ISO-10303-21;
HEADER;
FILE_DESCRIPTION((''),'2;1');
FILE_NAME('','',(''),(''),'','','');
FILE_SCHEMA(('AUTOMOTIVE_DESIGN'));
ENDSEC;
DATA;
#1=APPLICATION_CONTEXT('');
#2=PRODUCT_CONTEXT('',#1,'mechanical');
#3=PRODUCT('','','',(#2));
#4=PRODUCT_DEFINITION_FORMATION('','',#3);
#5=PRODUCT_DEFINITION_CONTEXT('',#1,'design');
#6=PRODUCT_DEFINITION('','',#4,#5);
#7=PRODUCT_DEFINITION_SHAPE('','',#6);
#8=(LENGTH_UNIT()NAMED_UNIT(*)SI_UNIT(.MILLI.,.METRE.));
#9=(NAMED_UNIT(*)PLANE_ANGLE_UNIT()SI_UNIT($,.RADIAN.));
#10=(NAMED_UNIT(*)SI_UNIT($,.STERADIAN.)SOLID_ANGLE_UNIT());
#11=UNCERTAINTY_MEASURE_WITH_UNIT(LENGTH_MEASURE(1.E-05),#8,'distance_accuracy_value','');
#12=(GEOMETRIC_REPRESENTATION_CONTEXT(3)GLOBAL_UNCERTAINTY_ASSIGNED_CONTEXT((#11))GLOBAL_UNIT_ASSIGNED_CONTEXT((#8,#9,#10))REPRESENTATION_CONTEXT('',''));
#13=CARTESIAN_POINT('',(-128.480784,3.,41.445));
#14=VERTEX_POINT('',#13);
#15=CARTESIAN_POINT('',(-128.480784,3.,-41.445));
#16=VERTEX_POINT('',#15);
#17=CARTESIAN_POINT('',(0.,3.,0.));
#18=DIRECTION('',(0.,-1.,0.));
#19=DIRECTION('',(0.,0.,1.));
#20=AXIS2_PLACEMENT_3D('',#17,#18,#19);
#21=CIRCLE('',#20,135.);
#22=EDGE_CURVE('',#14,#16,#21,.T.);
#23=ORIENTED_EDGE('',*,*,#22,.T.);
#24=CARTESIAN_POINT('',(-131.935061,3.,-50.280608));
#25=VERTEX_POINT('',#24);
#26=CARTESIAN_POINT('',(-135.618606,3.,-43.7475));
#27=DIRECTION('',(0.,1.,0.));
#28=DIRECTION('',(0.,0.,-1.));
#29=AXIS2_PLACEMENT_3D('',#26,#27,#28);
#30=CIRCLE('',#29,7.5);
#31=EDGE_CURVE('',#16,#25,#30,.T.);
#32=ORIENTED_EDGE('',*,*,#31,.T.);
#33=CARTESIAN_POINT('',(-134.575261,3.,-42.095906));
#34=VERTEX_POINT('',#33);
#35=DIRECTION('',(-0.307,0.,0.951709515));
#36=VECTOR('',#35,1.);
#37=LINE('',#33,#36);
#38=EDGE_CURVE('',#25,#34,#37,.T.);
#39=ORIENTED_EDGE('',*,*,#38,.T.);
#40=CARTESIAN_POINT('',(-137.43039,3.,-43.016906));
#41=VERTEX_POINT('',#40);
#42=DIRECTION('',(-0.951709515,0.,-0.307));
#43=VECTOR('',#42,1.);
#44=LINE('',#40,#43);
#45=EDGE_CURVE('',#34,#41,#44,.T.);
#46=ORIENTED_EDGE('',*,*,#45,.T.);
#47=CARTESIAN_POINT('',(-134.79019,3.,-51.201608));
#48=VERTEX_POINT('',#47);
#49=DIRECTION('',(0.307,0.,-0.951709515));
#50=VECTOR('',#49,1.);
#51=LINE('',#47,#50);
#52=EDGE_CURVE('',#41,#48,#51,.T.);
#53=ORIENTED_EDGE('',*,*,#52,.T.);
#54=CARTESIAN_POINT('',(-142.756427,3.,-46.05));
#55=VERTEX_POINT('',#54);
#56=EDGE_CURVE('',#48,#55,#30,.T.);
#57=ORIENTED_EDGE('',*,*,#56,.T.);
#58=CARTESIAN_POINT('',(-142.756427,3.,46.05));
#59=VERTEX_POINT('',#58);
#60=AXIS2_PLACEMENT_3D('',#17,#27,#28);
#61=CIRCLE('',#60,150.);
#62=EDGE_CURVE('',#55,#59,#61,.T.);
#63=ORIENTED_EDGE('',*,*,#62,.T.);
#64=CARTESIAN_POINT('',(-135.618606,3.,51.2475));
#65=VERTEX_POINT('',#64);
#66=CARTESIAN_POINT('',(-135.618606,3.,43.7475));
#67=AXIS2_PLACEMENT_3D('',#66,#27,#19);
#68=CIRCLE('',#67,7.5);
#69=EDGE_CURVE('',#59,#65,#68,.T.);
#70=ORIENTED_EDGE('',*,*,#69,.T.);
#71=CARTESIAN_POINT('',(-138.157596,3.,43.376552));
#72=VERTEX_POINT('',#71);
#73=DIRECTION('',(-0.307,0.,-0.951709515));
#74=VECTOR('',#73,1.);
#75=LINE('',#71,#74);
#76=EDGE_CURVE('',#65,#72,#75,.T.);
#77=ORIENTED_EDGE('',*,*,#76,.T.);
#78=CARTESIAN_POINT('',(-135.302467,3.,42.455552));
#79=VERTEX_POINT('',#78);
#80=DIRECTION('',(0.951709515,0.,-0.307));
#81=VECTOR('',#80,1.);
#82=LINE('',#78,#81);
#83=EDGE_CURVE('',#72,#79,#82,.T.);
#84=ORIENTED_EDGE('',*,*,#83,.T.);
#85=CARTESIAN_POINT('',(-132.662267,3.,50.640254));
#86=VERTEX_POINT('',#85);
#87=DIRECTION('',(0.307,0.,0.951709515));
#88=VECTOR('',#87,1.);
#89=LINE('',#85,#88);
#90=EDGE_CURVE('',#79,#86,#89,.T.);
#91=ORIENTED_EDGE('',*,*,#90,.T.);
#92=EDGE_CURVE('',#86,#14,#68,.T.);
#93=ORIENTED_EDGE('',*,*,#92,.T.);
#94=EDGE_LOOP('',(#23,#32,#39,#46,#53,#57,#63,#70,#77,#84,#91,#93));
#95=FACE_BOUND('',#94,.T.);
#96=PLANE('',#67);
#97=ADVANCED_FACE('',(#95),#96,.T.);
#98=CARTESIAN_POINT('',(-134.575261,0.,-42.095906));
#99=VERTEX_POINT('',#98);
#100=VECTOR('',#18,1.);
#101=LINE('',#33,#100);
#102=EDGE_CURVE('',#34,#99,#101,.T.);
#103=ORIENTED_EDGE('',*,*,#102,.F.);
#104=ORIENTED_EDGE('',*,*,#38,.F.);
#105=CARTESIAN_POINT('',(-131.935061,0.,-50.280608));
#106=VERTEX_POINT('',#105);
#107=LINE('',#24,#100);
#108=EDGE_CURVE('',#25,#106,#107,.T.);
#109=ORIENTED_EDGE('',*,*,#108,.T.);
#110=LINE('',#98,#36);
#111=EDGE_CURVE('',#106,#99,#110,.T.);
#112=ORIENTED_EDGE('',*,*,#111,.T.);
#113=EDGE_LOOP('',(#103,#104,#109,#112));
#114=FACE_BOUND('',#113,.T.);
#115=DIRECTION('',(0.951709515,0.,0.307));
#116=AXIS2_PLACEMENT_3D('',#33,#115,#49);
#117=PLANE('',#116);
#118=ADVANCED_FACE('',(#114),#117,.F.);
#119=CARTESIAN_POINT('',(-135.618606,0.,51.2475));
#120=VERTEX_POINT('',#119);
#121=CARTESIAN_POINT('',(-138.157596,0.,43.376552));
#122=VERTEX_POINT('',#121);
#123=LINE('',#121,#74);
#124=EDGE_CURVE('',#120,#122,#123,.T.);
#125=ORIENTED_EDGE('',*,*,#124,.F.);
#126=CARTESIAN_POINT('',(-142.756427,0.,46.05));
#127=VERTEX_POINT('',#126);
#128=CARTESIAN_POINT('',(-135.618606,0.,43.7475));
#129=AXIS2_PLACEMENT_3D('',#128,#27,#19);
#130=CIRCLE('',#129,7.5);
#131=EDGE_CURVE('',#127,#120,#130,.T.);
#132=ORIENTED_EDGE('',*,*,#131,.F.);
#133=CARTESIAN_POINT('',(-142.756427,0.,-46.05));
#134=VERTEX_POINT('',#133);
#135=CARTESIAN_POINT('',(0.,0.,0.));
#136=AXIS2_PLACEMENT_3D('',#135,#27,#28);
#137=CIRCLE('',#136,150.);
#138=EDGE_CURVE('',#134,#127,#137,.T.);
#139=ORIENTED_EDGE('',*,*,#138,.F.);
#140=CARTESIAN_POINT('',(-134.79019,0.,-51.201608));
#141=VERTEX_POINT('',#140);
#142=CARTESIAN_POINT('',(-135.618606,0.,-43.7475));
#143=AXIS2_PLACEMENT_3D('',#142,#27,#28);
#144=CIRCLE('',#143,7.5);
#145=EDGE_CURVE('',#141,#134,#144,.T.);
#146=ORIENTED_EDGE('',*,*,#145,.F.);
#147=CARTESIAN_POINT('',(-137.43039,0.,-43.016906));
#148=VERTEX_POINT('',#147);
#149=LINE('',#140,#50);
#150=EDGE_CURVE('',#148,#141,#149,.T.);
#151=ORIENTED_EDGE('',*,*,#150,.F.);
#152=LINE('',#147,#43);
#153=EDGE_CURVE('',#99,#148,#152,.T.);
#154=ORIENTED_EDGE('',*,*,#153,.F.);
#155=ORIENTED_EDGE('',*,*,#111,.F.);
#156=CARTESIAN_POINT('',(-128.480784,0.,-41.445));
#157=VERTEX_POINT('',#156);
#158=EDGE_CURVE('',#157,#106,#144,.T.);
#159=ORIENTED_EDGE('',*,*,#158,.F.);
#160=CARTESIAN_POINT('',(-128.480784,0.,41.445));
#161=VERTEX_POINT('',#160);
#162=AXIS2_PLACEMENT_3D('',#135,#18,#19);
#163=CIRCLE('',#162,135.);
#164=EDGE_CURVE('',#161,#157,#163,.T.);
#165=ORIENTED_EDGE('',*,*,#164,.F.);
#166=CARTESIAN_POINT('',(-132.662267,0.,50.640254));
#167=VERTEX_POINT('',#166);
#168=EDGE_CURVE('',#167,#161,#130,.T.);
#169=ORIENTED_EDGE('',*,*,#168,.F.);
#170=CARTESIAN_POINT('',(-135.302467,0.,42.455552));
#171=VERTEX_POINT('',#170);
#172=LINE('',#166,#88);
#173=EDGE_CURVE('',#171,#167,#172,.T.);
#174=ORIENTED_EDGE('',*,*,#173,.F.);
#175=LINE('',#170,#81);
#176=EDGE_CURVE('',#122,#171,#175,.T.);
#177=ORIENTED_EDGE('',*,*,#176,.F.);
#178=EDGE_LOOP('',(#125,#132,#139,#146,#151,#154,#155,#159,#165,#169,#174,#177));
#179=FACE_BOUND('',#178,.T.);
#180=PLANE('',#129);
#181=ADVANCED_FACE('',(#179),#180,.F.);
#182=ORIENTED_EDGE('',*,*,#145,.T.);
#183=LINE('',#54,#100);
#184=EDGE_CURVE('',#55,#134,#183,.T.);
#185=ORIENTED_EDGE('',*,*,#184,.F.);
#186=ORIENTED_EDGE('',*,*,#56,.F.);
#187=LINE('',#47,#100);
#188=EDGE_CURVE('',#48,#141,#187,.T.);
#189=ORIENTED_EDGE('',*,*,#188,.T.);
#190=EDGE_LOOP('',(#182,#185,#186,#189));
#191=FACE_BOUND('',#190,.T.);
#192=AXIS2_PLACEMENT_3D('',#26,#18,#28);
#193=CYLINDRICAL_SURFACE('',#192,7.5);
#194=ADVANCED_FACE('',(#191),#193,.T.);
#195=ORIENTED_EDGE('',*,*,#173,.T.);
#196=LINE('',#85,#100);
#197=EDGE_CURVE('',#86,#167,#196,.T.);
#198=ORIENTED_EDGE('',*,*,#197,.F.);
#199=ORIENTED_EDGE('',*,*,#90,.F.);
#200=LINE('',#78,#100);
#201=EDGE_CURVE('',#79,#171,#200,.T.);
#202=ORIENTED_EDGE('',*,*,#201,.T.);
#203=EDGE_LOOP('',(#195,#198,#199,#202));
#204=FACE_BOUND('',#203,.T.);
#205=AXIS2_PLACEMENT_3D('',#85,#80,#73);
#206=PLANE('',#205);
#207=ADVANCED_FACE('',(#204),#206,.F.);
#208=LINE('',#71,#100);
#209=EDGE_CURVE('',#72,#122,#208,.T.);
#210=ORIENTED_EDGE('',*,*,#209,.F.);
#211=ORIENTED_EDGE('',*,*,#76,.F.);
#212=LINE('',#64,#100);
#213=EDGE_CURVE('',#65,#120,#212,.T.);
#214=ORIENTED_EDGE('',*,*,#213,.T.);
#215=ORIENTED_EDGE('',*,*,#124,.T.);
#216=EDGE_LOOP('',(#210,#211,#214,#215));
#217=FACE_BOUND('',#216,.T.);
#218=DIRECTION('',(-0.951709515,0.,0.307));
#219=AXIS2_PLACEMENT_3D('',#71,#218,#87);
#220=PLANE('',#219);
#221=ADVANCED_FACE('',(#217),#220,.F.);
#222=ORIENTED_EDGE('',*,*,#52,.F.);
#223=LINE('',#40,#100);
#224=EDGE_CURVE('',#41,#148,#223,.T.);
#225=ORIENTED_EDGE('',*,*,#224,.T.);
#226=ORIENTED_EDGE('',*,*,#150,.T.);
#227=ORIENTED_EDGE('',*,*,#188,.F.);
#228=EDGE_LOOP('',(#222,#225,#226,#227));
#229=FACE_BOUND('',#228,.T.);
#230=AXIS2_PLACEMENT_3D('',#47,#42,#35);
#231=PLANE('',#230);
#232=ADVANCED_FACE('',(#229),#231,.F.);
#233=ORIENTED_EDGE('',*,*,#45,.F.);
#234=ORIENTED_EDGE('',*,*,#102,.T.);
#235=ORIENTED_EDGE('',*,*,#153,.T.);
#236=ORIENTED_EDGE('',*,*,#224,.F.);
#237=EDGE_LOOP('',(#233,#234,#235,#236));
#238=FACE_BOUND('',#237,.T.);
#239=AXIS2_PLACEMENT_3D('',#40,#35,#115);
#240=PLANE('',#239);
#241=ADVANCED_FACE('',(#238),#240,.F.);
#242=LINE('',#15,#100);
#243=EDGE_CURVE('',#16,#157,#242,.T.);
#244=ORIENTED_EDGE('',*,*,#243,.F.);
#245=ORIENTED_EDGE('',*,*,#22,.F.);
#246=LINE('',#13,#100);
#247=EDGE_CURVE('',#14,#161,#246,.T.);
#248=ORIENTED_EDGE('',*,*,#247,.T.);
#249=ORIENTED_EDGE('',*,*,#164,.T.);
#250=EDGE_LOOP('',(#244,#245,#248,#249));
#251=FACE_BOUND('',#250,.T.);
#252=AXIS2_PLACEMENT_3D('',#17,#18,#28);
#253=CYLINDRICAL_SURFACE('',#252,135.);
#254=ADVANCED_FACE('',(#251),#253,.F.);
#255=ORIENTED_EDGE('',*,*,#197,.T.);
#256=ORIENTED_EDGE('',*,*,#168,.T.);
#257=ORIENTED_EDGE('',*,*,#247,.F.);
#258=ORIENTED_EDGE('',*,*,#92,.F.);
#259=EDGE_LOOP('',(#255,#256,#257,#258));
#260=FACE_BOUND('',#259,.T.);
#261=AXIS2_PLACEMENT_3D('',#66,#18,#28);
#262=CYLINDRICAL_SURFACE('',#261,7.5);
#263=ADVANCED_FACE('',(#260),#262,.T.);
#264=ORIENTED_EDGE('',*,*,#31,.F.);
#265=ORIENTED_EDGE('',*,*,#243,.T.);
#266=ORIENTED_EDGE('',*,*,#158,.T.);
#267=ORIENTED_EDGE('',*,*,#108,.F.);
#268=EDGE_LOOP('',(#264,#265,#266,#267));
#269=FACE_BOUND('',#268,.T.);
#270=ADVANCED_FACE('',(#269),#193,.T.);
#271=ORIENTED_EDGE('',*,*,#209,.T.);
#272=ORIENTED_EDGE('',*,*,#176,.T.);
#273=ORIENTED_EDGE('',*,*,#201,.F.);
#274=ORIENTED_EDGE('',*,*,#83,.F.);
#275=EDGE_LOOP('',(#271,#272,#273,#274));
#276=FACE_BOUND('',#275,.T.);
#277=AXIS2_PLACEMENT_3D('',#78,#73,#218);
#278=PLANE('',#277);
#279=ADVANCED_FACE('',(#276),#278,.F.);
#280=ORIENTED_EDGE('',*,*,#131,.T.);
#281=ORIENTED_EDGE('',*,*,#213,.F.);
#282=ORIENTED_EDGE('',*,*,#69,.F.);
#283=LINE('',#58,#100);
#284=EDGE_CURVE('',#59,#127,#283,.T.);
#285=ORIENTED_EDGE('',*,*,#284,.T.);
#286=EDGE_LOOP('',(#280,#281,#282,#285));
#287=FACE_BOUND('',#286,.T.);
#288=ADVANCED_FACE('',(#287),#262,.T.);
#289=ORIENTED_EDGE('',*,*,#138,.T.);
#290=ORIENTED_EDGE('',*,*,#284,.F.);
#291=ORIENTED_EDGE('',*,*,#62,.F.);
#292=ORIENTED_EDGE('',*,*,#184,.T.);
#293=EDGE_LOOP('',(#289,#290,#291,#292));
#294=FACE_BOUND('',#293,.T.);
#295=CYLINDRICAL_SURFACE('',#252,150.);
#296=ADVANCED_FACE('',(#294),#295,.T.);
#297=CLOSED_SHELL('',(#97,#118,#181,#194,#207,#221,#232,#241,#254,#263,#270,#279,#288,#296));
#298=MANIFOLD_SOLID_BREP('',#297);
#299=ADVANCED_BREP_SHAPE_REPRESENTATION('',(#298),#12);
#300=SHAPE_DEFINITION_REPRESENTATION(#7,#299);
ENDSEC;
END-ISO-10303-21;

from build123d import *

# Parameters (mm, degrees)
SALIENTE_EXTRUIR1_DEPTH = 3


with BuildPart() as part:
    # Croquis2 → Saliente-Extruir1 (new body)
    with BuildSketch(Plane(origin=(0, 0, 0), x_dir=(1, 0, 0), z_dir=(0, 1, 0))):
        with BuildLine():
            Line((-134.790190036, 51.201608082), (-137.430390036, 43.016906257))
            Line((-137.430390036, 43.016906257), (-134.575261492, 42.095906257))
            Line((-134.575261492, 42.095906257), (-131.935061492, 50.280608082))
            ThreePointArc((-131.935061492, 50.280608082), (-128.633444304, 46.478345774), (-128.480784458, 41.445))
            ThreePointArc((-128.480784458, 41.445), (-135, 0), (-128.480784458, -41.445))
            ThreePointArc((-128.480784458, -41.445), (-128.791366857, -46.852143005), (-132.662267215, -50.640254317))
            Line((-132.662267215, -50.640254317), (-135.302467215, -42.455552492))
            Line((-135.302467215, -42.455552492), (-138.157595759, -43.376552492))
            Line((-138.157595759, -43.376552492), (-135.618605817, -51.2475))
            ThreePointArc((-135.618605817, -51.2475), (-140.033424613, -49.810451014), (-142.756427176, -46.05))
            ThreePointArc((-142.756427176, -46.05), (-150, 0), (-142.756427176, 46.05))
            ThreePointArc((-142.756427176, 46.05), (-139.691309605, 50.045363436), (-134.790190036, 51.201608082))
        make_face()
    extrude(amount=SALIENTE_EXTRUIR1_DEPTH)


solid = part.part
